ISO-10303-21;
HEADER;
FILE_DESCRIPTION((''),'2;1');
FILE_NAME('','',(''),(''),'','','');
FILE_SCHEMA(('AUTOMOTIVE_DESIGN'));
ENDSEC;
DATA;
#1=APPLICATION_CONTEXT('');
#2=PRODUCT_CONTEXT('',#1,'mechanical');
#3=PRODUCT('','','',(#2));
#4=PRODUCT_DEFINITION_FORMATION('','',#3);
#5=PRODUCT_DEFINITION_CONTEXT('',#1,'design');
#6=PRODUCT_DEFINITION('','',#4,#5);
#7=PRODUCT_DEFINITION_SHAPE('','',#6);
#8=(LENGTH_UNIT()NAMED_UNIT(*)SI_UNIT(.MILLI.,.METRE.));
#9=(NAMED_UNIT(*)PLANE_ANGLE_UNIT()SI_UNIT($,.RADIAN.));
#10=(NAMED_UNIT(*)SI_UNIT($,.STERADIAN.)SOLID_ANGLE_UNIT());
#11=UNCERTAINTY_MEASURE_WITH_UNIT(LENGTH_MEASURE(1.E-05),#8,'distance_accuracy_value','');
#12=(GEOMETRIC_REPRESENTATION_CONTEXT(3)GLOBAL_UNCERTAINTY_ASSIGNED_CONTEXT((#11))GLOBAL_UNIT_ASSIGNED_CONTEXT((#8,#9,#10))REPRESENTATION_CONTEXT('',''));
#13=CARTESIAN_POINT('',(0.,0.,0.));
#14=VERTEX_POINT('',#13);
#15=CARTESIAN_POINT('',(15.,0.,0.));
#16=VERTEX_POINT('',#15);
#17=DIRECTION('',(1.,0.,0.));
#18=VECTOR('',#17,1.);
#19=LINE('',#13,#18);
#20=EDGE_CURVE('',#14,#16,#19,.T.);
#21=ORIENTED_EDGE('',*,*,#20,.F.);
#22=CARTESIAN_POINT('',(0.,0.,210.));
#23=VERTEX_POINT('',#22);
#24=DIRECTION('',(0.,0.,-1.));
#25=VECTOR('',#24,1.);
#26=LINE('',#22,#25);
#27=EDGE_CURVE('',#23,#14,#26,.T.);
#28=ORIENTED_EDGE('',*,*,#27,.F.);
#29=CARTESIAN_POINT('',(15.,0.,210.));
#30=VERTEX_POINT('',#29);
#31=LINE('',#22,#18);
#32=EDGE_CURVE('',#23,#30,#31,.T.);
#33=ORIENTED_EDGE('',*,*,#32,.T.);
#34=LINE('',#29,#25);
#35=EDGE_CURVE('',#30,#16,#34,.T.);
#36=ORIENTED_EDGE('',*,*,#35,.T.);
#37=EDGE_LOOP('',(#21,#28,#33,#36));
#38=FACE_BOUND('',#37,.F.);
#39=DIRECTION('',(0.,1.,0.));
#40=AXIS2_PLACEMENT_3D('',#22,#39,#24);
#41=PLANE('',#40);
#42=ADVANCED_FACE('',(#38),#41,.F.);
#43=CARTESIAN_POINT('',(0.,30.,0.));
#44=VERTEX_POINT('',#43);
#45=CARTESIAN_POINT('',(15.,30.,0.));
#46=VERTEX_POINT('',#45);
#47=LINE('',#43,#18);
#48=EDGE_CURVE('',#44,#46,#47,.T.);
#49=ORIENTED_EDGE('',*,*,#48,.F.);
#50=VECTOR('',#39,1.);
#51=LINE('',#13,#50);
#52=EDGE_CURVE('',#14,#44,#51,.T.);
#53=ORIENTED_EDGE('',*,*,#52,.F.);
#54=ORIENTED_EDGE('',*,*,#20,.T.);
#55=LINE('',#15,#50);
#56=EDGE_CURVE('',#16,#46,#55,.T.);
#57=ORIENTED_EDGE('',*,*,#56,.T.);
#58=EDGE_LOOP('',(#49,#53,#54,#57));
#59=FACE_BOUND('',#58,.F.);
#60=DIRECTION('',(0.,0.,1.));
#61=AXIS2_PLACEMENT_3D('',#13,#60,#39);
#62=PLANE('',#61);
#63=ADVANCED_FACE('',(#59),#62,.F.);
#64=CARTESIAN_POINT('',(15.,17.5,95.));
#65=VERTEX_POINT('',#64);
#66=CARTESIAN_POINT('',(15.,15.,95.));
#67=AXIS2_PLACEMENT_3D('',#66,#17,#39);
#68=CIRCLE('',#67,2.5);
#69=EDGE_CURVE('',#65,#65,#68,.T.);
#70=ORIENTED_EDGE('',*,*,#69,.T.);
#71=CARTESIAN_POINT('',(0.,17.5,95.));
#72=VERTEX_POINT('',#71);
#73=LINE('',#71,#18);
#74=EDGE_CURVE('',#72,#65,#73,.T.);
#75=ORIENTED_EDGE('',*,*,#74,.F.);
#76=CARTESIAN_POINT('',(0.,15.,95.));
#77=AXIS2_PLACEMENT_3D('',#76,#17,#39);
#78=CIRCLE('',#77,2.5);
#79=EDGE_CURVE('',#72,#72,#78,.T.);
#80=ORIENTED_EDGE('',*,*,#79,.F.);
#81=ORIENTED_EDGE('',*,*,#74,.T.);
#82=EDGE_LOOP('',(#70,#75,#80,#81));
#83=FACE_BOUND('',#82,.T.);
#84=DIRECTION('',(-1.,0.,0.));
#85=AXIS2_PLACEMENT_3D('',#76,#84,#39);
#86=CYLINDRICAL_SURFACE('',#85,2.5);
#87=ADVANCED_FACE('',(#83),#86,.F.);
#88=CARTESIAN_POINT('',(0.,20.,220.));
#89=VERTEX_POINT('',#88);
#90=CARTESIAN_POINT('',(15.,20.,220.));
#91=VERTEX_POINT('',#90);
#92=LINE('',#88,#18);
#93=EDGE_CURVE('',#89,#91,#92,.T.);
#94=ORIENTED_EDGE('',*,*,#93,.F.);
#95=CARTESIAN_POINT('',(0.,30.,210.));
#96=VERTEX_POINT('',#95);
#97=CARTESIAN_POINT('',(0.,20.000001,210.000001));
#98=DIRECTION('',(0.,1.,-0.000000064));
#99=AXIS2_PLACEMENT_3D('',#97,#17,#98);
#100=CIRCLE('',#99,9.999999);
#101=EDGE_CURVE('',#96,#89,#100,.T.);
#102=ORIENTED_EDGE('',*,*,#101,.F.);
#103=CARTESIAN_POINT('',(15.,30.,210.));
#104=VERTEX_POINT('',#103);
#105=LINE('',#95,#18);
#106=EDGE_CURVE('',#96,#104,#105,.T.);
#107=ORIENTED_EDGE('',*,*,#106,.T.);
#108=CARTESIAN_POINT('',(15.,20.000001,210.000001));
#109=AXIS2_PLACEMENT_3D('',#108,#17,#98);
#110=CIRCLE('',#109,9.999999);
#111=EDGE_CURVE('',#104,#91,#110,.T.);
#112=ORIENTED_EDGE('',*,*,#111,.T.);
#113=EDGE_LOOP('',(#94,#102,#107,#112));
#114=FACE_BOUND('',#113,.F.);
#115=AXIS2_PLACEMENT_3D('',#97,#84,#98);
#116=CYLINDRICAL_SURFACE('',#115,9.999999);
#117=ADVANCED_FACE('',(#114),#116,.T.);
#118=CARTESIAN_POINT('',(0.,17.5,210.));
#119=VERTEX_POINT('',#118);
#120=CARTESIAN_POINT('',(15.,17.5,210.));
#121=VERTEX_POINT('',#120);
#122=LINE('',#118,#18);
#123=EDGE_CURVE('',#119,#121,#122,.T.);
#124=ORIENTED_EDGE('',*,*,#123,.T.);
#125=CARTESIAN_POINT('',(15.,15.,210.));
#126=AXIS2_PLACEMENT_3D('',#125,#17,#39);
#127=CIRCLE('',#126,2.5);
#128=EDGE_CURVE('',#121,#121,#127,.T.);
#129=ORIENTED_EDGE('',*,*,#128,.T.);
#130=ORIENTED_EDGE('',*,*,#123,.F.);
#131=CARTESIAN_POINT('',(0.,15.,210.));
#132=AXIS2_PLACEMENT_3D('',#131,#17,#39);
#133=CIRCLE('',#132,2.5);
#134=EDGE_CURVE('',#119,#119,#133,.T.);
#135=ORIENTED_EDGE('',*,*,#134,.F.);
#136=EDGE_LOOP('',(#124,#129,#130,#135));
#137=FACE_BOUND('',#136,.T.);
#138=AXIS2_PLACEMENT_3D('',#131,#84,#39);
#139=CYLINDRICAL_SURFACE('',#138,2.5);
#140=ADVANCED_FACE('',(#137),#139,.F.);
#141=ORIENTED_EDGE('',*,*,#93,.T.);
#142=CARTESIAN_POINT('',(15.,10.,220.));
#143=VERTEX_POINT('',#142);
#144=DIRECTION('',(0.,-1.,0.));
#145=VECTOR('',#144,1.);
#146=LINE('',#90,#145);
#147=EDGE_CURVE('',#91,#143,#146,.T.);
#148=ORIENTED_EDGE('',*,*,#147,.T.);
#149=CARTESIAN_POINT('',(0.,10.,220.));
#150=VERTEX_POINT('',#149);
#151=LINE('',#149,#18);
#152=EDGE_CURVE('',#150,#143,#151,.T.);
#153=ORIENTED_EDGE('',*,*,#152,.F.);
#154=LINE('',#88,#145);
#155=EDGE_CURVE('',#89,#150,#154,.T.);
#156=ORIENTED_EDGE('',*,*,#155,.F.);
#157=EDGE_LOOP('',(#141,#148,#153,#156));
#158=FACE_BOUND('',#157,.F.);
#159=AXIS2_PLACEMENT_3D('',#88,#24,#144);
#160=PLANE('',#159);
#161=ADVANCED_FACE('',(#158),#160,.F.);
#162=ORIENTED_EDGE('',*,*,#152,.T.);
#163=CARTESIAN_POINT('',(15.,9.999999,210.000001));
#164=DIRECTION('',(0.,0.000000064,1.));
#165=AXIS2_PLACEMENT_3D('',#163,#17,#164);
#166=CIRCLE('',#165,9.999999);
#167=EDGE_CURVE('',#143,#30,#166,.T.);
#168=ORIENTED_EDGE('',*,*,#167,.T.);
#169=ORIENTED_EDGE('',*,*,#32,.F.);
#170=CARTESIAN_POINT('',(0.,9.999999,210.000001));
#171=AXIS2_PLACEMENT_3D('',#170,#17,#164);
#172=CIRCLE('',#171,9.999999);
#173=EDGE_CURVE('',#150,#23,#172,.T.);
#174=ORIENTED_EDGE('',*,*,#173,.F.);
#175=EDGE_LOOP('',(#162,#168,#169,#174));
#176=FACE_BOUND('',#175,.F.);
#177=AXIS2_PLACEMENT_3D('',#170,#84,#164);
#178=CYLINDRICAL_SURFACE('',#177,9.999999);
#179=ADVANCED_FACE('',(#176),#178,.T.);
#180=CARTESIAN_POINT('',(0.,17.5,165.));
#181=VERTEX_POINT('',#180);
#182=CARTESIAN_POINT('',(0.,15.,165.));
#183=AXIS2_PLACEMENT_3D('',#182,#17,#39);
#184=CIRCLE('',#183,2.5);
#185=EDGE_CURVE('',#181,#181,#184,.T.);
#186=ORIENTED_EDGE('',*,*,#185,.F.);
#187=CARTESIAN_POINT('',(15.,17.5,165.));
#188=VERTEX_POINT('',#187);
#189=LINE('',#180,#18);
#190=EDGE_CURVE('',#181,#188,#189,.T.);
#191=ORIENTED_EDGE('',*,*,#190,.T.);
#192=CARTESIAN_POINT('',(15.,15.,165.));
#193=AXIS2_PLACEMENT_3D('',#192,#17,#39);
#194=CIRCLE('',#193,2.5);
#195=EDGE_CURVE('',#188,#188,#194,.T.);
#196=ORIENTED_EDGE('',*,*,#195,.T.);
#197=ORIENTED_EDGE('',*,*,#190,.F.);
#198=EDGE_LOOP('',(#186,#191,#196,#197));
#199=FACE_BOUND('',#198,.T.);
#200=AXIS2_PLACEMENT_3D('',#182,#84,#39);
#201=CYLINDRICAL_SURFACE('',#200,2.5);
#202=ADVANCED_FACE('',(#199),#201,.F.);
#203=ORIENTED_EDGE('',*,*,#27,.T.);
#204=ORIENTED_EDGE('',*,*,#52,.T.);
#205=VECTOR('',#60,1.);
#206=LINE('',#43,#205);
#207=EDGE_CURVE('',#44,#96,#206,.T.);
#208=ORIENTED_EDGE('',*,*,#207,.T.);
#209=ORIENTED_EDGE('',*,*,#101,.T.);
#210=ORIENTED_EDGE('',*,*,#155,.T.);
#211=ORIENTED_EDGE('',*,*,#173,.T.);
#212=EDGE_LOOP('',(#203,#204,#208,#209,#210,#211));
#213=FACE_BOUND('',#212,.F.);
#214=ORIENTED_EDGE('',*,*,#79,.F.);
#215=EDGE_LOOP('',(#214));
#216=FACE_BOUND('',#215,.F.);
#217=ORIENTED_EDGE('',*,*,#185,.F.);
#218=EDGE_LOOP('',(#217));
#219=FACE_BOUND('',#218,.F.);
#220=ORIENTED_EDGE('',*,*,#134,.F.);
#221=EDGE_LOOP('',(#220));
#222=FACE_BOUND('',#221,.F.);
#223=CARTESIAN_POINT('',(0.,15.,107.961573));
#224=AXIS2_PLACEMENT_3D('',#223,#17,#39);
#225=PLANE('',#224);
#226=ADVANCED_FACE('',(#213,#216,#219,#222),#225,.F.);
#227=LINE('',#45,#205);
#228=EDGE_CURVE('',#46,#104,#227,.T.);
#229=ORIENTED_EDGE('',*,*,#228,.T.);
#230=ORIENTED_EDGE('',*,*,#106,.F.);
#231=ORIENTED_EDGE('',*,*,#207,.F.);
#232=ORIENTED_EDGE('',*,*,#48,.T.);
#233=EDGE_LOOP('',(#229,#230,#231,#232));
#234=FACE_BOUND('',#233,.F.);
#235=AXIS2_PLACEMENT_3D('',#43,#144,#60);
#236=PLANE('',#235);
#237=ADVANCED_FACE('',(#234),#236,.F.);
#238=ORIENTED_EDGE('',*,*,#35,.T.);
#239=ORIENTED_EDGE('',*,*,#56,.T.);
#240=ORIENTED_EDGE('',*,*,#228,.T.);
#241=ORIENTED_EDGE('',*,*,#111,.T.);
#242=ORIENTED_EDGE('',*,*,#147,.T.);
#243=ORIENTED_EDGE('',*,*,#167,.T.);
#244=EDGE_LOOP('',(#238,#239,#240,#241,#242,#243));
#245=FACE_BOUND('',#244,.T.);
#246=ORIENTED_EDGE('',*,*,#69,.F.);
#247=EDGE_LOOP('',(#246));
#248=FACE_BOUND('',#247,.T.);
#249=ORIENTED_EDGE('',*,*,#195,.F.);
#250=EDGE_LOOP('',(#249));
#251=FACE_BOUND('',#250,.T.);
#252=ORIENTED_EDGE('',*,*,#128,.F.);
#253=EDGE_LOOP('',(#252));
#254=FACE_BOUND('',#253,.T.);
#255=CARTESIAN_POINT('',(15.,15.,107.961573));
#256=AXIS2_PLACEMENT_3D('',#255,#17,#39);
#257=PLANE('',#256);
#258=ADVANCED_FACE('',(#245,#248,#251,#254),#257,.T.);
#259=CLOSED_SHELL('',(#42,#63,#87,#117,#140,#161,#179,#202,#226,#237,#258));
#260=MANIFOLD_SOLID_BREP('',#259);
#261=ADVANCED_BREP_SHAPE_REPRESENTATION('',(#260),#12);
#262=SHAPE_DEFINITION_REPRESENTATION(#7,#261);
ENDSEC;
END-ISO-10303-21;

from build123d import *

# Parameters (mm, degrees)
F0_R     = 2.5
F1_DEPTH = 15


with BuildPart() as f1:
    # F0 (on Right) → F1 (new body)
    with BuildSketch(Plane.YZ):
        with BuildLine():
            Line((0, 210), (0, 0))
            Line((0, 0), (30, 0))
            Line((30, 0), (30, 210))
            ThreePointArc((30, 210), (27.071068, 217.071068), (20, 220))
            Line((20, 220), (10, 220))
            ThreePointArc((10, 220), (2.928932, 217.071068), (0, 210))
        make_face()
        with Locations((15, 95)):
            Circle(F0_R, mode=Mode.SUBTRACT)
        with Locations((15, 165)):
            Circle(F0_R, mode=Mode.SUBTRACT)
        with Locations((15, 210)):
            Circle(F0_R, mode=Mode.SUBTRACT)
    extrude(amount=F1_DEPTH)


solid = f1.part
